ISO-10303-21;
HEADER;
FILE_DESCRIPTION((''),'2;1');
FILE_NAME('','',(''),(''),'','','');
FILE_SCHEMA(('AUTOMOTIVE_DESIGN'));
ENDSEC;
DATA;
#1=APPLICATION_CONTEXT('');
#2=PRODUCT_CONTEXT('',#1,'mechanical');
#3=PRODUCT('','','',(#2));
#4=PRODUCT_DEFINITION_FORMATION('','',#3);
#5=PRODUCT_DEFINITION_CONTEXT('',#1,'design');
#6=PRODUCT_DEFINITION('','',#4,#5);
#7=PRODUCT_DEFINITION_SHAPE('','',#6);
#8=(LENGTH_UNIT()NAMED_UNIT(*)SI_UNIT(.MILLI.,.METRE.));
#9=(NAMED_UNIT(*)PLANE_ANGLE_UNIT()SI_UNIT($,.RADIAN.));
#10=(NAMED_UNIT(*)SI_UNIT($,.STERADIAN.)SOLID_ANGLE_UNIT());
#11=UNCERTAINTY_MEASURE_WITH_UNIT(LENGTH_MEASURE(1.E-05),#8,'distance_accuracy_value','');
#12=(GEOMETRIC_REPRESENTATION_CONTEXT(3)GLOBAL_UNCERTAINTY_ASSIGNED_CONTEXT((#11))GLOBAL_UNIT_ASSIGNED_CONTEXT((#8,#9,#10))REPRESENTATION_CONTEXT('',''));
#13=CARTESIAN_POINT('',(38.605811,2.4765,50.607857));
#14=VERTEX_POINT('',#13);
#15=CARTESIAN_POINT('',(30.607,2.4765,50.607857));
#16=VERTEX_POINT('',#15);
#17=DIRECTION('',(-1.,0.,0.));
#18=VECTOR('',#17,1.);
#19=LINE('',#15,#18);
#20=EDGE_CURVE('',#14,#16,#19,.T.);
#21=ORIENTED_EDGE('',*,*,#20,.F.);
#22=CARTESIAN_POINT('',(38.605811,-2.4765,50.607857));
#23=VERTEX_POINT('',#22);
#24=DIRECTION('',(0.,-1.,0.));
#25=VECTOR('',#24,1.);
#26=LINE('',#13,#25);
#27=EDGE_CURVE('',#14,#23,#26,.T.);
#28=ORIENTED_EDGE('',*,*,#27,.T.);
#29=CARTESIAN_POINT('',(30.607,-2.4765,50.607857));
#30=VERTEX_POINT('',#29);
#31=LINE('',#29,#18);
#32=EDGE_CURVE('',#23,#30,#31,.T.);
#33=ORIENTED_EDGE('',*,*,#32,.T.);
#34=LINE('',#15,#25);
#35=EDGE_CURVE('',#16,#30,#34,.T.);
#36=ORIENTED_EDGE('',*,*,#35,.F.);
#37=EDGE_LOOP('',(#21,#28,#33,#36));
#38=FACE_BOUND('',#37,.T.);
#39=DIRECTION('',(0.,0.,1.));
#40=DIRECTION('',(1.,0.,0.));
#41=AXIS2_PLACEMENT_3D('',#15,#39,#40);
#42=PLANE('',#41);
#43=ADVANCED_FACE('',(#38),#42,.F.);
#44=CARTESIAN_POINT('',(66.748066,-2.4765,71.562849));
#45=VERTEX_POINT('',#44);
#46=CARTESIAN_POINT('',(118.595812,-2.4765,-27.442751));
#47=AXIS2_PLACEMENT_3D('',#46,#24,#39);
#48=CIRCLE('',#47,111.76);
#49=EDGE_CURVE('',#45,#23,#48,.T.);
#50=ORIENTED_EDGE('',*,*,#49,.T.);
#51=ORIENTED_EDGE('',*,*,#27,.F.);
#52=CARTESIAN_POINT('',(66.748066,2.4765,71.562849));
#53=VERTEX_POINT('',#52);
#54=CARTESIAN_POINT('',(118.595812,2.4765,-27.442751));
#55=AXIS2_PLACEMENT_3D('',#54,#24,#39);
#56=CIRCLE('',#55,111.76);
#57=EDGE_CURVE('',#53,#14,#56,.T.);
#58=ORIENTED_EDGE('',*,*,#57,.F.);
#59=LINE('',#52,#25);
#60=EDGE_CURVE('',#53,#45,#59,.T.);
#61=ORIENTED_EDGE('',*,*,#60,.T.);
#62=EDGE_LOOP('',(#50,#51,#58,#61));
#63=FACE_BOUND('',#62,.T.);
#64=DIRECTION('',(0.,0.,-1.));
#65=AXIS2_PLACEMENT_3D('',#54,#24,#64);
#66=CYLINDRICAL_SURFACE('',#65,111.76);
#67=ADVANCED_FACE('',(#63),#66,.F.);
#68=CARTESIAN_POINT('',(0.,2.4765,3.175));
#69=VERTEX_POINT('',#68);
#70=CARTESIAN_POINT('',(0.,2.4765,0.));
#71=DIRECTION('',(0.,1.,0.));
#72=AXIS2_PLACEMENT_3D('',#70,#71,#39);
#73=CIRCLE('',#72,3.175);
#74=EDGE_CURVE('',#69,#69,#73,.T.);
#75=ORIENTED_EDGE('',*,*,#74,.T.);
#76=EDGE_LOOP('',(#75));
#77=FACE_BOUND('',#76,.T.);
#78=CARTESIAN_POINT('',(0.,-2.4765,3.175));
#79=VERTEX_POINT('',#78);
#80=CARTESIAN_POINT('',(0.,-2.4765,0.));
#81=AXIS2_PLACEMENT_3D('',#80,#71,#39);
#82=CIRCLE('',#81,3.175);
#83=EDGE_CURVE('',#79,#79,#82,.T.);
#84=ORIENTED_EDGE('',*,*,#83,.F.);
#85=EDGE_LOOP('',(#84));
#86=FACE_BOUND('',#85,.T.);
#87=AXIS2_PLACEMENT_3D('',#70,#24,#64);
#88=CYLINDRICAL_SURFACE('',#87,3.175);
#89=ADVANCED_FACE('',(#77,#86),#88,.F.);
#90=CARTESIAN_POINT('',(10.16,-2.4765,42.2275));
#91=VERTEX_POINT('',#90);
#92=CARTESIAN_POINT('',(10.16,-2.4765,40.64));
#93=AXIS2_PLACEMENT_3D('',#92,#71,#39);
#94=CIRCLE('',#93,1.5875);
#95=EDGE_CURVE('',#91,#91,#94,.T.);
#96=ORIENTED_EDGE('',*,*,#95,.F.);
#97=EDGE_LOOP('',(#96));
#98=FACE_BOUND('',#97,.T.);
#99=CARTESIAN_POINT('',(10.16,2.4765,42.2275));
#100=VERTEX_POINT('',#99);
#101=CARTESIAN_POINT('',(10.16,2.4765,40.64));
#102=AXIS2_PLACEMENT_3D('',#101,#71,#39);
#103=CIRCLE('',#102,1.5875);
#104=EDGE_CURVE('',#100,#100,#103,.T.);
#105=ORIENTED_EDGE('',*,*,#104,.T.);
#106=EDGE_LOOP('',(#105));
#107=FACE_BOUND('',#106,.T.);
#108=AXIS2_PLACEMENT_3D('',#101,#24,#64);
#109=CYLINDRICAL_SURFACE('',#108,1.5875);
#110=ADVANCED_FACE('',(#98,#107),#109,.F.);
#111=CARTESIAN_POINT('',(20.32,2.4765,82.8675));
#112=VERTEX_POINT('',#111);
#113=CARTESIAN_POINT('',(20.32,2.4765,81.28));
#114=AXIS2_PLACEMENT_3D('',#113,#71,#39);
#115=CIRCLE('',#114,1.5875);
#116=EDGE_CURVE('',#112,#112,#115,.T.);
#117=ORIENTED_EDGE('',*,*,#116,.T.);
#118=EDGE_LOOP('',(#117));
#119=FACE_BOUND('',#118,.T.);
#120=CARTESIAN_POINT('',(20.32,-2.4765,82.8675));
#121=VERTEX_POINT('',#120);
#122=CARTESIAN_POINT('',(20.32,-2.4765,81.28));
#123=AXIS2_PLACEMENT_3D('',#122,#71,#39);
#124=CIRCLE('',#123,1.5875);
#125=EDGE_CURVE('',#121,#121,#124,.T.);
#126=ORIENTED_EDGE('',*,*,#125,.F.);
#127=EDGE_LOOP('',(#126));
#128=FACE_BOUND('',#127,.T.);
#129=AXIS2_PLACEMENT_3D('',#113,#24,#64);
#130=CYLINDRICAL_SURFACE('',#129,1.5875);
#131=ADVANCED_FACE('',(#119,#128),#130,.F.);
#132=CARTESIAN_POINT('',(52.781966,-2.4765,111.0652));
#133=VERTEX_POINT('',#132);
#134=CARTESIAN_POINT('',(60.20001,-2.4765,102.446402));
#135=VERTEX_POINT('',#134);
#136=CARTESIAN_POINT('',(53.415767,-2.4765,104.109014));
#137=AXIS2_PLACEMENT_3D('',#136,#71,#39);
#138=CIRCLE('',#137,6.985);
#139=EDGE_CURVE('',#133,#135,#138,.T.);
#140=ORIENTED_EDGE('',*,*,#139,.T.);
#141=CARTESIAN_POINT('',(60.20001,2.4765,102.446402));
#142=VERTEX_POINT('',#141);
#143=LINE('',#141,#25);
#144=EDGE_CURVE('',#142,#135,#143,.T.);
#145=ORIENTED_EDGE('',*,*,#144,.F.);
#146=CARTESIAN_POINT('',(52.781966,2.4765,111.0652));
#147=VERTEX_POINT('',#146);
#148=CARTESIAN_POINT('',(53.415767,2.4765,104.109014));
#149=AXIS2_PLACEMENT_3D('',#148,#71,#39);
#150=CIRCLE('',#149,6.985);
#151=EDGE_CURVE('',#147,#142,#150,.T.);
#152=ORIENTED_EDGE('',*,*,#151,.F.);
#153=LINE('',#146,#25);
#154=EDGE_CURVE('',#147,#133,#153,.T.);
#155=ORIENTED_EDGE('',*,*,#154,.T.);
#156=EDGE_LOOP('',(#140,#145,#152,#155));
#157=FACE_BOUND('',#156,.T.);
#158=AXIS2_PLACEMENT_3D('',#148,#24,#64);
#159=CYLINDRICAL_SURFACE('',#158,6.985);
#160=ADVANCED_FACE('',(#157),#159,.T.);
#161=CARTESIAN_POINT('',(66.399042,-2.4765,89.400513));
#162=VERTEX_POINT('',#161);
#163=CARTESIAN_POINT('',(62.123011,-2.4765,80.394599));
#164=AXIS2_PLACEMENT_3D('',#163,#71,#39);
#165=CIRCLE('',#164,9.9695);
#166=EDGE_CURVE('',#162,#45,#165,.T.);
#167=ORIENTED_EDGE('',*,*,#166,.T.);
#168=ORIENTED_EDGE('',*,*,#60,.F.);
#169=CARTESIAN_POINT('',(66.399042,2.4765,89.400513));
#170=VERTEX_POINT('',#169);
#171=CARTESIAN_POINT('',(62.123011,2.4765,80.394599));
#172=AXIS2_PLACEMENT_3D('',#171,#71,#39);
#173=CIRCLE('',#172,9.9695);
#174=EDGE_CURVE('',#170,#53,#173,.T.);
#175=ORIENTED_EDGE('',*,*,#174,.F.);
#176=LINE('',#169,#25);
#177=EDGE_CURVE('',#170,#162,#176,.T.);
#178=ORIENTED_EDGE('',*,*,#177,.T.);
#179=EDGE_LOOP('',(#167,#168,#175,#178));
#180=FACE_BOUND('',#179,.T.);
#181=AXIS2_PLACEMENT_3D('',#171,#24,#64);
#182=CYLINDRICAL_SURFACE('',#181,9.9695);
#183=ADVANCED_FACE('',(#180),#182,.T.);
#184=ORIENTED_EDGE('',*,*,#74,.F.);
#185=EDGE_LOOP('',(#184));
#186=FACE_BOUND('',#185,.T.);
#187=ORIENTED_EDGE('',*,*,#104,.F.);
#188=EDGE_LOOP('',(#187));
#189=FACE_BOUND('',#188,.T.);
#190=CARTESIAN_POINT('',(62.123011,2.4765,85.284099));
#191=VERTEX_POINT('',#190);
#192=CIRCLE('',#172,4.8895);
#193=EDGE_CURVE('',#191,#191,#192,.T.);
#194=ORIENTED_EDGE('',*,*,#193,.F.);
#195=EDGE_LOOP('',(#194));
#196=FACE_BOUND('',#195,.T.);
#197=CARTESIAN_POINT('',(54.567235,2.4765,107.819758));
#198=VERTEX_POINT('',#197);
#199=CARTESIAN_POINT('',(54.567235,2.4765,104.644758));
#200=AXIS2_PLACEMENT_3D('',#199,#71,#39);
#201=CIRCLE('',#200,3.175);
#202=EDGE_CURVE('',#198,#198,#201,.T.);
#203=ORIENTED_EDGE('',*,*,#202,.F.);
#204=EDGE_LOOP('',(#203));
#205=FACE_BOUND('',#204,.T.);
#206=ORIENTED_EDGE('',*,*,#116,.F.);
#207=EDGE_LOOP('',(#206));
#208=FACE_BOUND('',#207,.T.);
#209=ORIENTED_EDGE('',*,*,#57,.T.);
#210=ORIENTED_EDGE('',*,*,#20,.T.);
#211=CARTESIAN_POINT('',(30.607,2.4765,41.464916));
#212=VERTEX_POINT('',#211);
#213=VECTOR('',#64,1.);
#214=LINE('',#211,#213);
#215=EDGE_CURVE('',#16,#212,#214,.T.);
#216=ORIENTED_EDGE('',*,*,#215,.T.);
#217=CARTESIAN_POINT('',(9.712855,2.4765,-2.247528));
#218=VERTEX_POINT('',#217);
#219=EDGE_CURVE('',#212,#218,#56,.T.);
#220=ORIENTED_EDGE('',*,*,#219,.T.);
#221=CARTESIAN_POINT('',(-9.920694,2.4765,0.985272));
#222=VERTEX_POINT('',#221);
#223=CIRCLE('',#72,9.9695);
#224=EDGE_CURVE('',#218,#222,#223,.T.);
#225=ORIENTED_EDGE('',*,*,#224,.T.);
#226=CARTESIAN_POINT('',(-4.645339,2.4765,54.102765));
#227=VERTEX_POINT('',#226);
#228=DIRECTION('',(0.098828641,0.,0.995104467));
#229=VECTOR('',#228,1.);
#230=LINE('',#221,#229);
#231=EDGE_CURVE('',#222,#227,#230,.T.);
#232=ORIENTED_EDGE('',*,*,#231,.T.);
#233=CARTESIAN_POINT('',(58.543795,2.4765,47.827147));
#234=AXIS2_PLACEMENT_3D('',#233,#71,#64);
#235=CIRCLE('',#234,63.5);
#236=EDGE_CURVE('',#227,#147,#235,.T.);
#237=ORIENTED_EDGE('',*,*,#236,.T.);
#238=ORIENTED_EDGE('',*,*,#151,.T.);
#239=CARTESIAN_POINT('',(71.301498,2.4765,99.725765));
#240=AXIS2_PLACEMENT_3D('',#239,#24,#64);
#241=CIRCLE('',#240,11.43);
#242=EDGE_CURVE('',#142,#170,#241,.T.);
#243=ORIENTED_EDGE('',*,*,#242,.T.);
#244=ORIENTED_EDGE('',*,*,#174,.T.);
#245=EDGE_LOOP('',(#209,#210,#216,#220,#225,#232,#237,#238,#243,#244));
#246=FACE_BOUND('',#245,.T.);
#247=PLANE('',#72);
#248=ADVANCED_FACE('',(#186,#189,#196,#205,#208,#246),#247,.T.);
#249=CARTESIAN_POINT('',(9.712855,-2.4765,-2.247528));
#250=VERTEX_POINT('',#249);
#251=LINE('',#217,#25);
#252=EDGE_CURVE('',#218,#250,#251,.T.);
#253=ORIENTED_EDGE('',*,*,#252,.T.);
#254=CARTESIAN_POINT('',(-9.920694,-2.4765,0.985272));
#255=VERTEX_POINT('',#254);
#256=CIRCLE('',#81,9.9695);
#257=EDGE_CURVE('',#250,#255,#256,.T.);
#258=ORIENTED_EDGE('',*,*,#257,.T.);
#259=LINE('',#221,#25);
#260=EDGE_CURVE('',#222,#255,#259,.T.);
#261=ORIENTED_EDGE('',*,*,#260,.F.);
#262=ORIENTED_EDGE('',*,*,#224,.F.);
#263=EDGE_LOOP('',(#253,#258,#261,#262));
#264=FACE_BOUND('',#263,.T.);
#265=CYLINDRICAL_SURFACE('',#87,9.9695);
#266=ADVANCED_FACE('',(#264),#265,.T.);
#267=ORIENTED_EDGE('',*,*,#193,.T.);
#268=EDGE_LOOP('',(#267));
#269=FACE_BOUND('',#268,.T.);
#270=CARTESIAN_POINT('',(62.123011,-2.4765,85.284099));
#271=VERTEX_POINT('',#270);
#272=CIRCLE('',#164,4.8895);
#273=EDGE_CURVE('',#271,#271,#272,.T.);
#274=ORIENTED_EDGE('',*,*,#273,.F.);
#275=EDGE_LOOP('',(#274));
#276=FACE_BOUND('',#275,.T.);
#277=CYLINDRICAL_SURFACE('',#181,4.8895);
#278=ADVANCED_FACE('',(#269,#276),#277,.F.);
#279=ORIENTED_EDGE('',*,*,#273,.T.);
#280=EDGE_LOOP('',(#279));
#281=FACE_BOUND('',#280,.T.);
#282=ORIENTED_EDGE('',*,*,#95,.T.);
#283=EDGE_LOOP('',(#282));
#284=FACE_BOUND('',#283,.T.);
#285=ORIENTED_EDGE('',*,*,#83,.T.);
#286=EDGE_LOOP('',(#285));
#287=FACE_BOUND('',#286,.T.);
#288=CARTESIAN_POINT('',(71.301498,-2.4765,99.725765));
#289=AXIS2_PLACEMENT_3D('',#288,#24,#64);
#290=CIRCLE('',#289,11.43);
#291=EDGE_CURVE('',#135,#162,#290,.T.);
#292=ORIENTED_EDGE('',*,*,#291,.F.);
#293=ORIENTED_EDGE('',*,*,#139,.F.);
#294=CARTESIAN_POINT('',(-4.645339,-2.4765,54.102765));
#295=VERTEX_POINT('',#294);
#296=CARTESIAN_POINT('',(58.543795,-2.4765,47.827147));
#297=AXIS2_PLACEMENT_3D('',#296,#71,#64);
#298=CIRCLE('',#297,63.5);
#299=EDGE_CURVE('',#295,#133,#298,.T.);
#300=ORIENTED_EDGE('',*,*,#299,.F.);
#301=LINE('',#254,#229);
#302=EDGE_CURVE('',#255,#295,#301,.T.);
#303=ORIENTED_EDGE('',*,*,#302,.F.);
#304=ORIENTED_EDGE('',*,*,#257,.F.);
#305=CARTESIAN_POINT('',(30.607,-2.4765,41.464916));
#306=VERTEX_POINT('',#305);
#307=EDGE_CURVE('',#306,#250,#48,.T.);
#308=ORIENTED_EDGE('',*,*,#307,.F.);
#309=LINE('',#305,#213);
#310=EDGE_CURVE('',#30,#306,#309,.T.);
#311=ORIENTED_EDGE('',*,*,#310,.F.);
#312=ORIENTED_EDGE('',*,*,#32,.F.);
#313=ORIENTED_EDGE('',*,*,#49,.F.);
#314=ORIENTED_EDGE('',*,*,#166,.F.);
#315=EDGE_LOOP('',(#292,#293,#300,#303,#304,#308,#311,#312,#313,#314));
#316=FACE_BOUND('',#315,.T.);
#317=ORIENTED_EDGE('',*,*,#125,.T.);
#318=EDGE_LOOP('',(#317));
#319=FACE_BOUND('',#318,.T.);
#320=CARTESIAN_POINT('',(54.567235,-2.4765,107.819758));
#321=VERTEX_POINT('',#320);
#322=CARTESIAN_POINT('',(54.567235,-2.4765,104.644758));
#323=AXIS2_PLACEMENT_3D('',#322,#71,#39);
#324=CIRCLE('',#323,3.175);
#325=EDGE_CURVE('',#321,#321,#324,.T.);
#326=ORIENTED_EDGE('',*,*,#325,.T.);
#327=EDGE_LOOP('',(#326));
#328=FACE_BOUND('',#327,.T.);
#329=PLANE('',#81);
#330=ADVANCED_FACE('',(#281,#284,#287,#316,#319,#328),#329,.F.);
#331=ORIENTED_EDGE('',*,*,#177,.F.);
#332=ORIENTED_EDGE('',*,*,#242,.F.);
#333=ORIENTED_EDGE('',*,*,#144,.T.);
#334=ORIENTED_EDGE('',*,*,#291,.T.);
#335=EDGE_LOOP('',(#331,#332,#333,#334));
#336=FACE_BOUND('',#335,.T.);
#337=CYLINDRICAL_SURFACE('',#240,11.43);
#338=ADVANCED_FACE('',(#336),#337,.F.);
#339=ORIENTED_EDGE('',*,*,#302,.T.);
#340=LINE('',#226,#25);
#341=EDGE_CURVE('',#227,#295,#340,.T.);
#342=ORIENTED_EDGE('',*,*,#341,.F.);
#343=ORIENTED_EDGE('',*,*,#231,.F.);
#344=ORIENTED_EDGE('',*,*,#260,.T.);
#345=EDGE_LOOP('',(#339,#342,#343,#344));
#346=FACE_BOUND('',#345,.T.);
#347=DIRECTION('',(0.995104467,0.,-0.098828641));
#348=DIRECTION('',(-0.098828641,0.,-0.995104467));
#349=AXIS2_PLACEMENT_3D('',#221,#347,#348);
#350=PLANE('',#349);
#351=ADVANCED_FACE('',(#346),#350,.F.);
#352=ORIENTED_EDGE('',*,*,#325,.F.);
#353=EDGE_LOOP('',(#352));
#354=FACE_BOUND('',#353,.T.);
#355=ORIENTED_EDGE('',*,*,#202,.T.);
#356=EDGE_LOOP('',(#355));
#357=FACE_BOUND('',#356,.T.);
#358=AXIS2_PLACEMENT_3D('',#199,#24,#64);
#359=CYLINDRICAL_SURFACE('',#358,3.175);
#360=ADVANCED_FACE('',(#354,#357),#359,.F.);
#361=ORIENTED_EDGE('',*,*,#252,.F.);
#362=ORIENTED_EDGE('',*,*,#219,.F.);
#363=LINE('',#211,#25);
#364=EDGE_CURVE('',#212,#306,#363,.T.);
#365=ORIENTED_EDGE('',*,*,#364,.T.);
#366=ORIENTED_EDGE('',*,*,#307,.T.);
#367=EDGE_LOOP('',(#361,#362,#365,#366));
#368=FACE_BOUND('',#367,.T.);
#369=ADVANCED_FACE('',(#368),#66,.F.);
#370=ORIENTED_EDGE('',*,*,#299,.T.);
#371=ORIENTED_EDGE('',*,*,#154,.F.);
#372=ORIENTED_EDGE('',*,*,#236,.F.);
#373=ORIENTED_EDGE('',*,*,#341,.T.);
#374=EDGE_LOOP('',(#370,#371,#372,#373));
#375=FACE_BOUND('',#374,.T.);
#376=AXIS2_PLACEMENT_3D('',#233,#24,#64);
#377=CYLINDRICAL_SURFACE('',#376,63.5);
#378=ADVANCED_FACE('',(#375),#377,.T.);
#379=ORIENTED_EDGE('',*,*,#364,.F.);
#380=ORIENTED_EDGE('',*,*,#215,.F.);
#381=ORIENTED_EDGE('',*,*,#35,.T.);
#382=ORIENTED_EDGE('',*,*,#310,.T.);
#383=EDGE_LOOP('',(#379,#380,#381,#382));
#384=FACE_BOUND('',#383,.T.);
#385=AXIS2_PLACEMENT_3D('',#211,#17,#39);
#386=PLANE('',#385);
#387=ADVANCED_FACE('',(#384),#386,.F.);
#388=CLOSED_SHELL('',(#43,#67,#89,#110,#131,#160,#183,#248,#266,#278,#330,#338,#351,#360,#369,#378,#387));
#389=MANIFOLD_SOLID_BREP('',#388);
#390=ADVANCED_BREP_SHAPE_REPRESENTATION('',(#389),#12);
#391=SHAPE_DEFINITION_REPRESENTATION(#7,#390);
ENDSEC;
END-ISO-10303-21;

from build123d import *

# Parameters (mm, degrees)
SKETCH1_R           = 3.175
SKETCH1_R_2         = 4.8895
SKETCH1_R_3         = 1.5875
BOSS_EXTRUDE1_DEPTH = 2.4765


with BuildPart() as part:
    # Sketch1 → Boss-Extrude1 (new, symmetric)
    with BuildSketch(Plane(origin=(0, 0, 0), x_dir=(1, 0, 0), z_dir=(0, 1, 0))):
        with BuildLine():
            Line((-9.920693981, -0.985272137), (-4.645338625, -54.102765436))
            ThreePointArc((-4.645338625, -54.102765436), (13.82535886, -92.910530232), (52.781966192, -111.065199582))
            ThreePointArc((52.781966192, -111.065199582), (58.709905634, -108.665583198), (60.200009938, -102.446402065))
            ThreePointArc((60.200009938, -102.446402065), (60.977721367, -94.820202541), (66.399042003, -89.400512808))
            ThreePointArc((66.399042003, -89.400512808), (72.090603236, -80.589631254), (66.74806575, -71.56284909))
            ThreePointArc((66.74806575, -71.56284909), (51.849457493, -62.196647711), (38.60581081, -50.607856626))
            Line((38.60581081, -50.607856626), (30.607, -50.607856626))
            Line((30.607, -50.607856626), (30.607, -41.464916232))
            ThreePointArc((30.607, -41.464916232), (17.762693232, -20.754549727), (9.712854703, 2.24752837))
            ThreePointArc((9.712854703, 2.24752837), (-1.619737346, 9.837041282), (-9.920693981, -0.985272137))
        make_face()
        Circle(SKETCH1_R, mode=Mode.SUBTRACT)
        with Locations((62.123011123, -80.394598631)):
            Circle(SKETCH1_R_2, mode=Mode.SUBTRACT)
        with Locations((54.567235003, -104.644758367)):
            Circle(SKETCH1_R, mode=Mode.SUBTRACT)
        with Locations((10.16, -40.64)):
            Circle(SKETCH1_R_3, mode=Mode.SUBTRACT)
        with Locations((20.32, -81.28)):
            Circle(SKETCH1_R_3, mode=Mode.SUBTRACT)
    extrude(amount=BOSS_EXTRUDE1_DEPTH, both=True)


solid = part.part
